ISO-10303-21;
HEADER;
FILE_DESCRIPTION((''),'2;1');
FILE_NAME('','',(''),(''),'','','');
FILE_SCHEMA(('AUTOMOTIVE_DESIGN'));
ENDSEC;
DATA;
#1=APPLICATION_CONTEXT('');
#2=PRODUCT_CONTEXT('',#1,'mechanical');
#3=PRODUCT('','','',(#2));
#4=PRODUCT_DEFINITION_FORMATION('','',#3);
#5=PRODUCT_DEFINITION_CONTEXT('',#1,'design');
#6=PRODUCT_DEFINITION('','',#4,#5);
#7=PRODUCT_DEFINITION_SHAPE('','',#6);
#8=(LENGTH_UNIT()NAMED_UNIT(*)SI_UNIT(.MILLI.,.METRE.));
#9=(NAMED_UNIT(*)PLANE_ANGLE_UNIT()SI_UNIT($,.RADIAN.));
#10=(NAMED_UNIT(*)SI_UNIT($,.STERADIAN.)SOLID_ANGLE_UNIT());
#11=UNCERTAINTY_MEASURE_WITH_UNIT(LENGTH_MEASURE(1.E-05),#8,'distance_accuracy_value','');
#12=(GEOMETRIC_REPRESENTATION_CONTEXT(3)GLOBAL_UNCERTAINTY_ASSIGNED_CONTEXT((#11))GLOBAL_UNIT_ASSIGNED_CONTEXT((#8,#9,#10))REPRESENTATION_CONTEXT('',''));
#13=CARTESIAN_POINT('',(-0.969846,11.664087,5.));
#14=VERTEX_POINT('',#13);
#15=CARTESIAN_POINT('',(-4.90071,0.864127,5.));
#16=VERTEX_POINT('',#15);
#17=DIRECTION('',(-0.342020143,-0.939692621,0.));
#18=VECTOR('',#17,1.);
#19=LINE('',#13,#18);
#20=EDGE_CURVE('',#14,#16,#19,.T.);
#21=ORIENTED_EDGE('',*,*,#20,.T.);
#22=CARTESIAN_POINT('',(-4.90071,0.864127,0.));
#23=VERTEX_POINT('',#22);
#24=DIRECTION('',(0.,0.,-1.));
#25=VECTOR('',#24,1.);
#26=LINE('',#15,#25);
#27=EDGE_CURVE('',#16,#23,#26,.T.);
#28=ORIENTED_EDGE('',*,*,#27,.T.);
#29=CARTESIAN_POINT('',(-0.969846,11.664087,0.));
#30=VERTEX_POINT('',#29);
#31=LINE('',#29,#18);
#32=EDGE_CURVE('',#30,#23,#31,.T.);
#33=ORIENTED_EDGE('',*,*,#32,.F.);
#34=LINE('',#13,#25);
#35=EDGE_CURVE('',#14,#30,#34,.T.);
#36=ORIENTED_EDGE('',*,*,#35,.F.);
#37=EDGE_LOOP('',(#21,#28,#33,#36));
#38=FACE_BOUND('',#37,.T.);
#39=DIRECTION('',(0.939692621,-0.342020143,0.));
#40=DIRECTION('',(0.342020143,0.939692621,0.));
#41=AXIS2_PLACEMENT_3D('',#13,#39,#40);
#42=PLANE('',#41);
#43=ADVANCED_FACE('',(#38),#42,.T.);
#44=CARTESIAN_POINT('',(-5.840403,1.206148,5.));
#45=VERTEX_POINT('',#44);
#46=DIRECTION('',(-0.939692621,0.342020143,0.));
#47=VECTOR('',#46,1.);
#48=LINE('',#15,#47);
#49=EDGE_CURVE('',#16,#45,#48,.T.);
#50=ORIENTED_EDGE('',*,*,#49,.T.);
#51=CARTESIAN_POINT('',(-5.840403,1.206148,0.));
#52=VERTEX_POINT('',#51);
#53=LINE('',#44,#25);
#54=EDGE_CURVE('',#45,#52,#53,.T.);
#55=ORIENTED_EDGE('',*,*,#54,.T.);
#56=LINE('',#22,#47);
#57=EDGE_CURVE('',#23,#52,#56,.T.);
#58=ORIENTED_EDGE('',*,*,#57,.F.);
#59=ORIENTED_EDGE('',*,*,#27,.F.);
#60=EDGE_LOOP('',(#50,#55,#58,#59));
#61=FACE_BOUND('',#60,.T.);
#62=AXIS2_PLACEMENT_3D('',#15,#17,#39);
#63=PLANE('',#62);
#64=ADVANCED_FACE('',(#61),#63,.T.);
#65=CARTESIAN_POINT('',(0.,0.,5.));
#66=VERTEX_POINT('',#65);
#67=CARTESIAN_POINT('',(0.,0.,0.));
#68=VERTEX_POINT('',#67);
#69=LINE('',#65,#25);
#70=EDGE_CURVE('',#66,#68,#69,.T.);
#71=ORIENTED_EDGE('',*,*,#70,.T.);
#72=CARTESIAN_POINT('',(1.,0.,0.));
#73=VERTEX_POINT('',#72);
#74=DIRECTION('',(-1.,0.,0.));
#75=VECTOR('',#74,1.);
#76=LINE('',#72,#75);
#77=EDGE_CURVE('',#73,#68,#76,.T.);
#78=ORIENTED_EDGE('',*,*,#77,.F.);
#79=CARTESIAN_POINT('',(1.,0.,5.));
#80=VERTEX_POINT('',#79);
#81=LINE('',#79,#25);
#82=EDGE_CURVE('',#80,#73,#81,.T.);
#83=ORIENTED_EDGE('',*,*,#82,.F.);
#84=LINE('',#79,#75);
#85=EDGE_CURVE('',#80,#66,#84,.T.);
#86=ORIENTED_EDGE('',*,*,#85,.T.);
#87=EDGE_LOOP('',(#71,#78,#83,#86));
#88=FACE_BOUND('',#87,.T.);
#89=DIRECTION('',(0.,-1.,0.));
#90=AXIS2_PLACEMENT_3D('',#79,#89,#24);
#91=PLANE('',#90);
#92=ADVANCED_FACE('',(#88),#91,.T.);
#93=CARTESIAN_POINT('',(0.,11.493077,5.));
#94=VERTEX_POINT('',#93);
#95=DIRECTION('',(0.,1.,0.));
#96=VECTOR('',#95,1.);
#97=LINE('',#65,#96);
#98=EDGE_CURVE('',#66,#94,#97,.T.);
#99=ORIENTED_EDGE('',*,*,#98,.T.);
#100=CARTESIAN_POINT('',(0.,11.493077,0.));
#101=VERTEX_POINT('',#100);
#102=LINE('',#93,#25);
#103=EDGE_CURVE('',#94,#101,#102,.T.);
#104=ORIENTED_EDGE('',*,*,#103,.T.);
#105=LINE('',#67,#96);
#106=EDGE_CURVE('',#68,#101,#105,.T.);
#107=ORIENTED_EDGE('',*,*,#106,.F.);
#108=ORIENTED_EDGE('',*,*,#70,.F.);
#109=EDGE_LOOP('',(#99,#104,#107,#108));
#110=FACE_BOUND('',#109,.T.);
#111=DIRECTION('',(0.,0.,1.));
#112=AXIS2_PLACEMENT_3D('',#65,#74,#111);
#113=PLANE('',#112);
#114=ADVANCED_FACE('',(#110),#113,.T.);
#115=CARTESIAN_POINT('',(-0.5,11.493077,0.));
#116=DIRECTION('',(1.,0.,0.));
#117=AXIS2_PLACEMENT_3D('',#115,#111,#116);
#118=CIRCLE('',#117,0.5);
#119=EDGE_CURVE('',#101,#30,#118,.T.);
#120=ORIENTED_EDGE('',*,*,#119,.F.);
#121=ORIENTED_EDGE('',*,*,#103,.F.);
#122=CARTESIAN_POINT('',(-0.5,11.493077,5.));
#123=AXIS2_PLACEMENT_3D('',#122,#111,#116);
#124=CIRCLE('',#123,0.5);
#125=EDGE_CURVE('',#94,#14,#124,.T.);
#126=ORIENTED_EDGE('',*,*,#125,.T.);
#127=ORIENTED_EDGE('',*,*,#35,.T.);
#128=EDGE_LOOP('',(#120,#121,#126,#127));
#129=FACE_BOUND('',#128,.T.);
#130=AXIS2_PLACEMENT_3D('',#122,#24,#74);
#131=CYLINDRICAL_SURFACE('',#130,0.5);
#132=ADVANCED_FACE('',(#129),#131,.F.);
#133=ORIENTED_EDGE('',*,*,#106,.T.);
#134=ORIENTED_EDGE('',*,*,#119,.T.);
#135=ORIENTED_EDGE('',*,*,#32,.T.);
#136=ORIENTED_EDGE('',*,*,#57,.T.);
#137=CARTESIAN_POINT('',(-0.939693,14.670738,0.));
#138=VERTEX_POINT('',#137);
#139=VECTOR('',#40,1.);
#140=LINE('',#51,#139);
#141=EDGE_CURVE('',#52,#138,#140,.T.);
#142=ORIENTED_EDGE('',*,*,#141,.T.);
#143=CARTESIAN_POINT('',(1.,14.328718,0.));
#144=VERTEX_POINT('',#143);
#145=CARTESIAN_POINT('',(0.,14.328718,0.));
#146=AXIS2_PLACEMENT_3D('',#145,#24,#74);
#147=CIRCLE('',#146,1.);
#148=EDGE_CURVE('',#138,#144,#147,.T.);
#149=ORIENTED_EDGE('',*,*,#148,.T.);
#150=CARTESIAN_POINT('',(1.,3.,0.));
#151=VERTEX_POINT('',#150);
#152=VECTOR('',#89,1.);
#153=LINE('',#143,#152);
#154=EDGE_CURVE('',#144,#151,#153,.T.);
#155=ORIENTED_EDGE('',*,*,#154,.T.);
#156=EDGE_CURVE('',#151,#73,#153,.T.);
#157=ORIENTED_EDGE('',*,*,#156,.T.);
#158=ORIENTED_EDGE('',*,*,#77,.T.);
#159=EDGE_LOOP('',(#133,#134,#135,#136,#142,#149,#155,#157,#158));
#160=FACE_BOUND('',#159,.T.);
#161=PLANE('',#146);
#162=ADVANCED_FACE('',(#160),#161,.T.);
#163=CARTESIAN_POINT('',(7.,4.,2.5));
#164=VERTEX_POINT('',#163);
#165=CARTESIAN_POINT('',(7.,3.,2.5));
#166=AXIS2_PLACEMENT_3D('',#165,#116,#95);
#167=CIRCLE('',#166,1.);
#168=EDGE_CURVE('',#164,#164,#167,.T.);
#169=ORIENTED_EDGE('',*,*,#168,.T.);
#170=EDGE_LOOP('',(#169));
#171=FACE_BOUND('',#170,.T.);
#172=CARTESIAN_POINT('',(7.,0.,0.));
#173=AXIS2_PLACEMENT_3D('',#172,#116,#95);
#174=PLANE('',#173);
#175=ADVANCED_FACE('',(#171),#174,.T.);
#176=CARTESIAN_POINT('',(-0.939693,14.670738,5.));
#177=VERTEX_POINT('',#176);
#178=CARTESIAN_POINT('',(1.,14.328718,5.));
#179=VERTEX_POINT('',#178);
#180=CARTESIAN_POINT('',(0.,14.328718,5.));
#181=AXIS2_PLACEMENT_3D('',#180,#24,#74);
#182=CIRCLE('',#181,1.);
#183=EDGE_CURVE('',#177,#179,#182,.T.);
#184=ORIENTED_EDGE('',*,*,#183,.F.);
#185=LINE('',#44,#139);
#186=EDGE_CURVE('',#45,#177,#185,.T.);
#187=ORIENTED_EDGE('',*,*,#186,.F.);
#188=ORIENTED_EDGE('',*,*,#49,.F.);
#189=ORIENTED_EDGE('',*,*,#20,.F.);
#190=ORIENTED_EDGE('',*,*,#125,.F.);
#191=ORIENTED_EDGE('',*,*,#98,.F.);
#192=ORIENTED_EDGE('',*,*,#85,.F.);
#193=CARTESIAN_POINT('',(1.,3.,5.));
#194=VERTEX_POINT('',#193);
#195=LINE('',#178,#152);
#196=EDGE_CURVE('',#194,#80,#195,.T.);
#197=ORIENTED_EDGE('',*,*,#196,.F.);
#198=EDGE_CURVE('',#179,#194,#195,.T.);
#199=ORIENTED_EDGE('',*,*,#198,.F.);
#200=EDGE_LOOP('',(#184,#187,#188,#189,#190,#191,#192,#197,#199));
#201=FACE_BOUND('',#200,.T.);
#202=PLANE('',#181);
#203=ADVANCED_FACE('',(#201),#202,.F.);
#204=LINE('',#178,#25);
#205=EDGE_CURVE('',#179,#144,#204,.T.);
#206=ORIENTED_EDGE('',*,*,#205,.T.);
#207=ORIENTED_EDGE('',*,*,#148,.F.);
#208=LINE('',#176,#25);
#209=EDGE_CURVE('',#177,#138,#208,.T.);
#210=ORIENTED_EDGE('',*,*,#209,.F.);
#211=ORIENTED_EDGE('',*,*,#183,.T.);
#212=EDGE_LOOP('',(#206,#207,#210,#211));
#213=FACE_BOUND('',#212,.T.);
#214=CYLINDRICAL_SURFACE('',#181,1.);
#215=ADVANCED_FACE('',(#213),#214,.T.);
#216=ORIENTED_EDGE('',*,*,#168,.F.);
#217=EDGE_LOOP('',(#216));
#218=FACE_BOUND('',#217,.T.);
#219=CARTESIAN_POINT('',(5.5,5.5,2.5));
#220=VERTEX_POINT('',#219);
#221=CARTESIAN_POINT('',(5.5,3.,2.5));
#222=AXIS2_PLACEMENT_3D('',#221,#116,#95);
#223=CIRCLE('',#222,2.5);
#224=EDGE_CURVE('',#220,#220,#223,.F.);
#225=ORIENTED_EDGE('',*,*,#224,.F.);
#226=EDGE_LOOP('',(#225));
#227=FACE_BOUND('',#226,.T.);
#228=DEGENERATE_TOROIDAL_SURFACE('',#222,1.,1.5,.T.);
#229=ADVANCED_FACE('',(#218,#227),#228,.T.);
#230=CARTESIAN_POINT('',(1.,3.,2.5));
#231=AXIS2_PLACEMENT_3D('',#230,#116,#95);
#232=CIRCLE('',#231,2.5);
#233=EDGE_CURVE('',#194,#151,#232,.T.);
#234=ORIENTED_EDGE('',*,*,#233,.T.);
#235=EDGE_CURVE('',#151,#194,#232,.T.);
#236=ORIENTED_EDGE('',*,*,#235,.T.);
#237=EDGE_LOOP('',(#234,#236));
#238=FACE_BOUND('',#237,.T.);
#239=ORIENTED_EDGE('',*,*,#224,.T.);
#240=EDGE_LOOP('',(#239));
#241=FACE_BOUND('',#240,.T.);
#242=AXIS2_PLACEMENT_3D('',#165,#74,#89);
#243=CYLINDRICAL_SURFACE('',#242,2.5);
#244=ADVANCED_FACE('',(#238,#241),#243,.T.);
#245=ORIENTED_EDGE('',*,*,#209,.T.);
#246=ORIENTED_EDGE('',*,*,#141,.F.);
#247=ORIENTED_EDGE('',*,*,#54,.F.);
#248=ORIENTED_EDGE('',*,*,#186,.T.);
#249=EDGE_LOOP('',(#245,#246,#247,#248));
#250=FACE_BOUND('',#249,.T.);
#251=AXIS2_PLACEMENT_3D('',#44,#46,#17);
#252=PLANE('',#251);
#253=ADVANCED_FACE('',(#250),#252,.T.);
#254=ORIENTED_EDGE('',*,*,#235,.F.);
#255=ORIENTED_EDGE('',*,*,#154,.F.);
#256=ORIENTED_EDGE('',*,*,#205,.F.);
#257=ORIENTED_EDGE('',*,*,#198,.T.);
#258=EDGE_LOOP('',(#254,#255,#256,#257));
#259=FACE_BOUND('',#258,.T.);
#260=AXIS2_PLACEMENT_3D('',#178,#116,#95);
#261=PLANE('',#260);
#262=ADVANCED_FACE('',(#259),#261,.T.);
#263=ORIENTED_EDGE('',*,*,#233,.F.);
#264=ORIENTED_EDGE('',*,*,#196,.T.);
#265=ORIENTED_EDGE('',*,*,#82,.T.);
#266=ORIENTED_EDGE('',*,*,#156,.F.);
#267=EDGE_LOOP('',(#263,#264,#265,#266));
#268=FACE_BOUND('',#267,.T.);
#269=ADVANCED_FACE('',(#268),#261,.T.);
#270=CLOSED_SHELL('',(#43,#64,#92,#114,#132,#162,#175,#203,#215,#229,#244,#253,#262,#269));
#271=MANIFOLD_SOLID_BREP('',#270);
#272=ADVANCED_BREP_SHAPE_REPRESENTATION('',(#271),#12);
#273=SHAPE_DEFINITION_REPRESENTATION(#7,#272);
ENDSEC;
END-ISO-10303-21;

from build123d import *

# Parameters (mm, degrees)
BOSS_EXTRUDE1_DEPTH = 5
BOSS_EXTRUDE2_DEPTH = 6
FILLET1_R           = 1.5


with BuildPart() as part:
    # Sketch1 → Boss-Extrude1 (new body)
    with BuildSketch(Plane.XY):
        with BuildLine():
            Line((0, 0), (0, 11.493077271))
            ThreePointArc((0, 11.493077271), (-0.413175911, 11.985481147), (-0.96984631, 11.664087342))
            Line((-0.96984631, 11.664087342), (-4.900710246, 0.864127441))
            Line((-4.900710246, 0.864127441), (-5.840402867, 1.206147584))
            Line((-5.840402867, 1.206147584), (-0.939692621, 14.670738324))
            ThreePointArc((-0.939692621, 14.670738324), (0.173648178, 15.313525933), (1, 14.32871818))
            Line((1, 14.32871818), (1, 0))
            Line((1, 0), (0, 0))
        make_face()
    extrude(amount=BOSS_EXTRUDE1_DEPTH)

    # Sketch2 → Boss-Extrude2 (add)
    with BuildSketch(Plane(origin=(1, 0, 0), x_dir=(0, 0, -1), z_dir=(1, 0, 0))):
        with BuildLine():
            ThreePointArc((-2.5, 5.5), (-4.267766953, 1.232233047), (0, 3))
            ThreePointArc((0, 3), (-0.732233047, 4.767766953), (-2.5, 5.5))
        make_face()
    extrude(amount=BOSS_EXTRUDE2_DEPTH)

    # Fillet1
    fillet1_edges = [part.edges().sort_by_distance(p)[0] for p in [
        (7, 3, 5),
    ]]
    fillet(fillet1_edges, radius=FILLET1_R)


solid = part.part
